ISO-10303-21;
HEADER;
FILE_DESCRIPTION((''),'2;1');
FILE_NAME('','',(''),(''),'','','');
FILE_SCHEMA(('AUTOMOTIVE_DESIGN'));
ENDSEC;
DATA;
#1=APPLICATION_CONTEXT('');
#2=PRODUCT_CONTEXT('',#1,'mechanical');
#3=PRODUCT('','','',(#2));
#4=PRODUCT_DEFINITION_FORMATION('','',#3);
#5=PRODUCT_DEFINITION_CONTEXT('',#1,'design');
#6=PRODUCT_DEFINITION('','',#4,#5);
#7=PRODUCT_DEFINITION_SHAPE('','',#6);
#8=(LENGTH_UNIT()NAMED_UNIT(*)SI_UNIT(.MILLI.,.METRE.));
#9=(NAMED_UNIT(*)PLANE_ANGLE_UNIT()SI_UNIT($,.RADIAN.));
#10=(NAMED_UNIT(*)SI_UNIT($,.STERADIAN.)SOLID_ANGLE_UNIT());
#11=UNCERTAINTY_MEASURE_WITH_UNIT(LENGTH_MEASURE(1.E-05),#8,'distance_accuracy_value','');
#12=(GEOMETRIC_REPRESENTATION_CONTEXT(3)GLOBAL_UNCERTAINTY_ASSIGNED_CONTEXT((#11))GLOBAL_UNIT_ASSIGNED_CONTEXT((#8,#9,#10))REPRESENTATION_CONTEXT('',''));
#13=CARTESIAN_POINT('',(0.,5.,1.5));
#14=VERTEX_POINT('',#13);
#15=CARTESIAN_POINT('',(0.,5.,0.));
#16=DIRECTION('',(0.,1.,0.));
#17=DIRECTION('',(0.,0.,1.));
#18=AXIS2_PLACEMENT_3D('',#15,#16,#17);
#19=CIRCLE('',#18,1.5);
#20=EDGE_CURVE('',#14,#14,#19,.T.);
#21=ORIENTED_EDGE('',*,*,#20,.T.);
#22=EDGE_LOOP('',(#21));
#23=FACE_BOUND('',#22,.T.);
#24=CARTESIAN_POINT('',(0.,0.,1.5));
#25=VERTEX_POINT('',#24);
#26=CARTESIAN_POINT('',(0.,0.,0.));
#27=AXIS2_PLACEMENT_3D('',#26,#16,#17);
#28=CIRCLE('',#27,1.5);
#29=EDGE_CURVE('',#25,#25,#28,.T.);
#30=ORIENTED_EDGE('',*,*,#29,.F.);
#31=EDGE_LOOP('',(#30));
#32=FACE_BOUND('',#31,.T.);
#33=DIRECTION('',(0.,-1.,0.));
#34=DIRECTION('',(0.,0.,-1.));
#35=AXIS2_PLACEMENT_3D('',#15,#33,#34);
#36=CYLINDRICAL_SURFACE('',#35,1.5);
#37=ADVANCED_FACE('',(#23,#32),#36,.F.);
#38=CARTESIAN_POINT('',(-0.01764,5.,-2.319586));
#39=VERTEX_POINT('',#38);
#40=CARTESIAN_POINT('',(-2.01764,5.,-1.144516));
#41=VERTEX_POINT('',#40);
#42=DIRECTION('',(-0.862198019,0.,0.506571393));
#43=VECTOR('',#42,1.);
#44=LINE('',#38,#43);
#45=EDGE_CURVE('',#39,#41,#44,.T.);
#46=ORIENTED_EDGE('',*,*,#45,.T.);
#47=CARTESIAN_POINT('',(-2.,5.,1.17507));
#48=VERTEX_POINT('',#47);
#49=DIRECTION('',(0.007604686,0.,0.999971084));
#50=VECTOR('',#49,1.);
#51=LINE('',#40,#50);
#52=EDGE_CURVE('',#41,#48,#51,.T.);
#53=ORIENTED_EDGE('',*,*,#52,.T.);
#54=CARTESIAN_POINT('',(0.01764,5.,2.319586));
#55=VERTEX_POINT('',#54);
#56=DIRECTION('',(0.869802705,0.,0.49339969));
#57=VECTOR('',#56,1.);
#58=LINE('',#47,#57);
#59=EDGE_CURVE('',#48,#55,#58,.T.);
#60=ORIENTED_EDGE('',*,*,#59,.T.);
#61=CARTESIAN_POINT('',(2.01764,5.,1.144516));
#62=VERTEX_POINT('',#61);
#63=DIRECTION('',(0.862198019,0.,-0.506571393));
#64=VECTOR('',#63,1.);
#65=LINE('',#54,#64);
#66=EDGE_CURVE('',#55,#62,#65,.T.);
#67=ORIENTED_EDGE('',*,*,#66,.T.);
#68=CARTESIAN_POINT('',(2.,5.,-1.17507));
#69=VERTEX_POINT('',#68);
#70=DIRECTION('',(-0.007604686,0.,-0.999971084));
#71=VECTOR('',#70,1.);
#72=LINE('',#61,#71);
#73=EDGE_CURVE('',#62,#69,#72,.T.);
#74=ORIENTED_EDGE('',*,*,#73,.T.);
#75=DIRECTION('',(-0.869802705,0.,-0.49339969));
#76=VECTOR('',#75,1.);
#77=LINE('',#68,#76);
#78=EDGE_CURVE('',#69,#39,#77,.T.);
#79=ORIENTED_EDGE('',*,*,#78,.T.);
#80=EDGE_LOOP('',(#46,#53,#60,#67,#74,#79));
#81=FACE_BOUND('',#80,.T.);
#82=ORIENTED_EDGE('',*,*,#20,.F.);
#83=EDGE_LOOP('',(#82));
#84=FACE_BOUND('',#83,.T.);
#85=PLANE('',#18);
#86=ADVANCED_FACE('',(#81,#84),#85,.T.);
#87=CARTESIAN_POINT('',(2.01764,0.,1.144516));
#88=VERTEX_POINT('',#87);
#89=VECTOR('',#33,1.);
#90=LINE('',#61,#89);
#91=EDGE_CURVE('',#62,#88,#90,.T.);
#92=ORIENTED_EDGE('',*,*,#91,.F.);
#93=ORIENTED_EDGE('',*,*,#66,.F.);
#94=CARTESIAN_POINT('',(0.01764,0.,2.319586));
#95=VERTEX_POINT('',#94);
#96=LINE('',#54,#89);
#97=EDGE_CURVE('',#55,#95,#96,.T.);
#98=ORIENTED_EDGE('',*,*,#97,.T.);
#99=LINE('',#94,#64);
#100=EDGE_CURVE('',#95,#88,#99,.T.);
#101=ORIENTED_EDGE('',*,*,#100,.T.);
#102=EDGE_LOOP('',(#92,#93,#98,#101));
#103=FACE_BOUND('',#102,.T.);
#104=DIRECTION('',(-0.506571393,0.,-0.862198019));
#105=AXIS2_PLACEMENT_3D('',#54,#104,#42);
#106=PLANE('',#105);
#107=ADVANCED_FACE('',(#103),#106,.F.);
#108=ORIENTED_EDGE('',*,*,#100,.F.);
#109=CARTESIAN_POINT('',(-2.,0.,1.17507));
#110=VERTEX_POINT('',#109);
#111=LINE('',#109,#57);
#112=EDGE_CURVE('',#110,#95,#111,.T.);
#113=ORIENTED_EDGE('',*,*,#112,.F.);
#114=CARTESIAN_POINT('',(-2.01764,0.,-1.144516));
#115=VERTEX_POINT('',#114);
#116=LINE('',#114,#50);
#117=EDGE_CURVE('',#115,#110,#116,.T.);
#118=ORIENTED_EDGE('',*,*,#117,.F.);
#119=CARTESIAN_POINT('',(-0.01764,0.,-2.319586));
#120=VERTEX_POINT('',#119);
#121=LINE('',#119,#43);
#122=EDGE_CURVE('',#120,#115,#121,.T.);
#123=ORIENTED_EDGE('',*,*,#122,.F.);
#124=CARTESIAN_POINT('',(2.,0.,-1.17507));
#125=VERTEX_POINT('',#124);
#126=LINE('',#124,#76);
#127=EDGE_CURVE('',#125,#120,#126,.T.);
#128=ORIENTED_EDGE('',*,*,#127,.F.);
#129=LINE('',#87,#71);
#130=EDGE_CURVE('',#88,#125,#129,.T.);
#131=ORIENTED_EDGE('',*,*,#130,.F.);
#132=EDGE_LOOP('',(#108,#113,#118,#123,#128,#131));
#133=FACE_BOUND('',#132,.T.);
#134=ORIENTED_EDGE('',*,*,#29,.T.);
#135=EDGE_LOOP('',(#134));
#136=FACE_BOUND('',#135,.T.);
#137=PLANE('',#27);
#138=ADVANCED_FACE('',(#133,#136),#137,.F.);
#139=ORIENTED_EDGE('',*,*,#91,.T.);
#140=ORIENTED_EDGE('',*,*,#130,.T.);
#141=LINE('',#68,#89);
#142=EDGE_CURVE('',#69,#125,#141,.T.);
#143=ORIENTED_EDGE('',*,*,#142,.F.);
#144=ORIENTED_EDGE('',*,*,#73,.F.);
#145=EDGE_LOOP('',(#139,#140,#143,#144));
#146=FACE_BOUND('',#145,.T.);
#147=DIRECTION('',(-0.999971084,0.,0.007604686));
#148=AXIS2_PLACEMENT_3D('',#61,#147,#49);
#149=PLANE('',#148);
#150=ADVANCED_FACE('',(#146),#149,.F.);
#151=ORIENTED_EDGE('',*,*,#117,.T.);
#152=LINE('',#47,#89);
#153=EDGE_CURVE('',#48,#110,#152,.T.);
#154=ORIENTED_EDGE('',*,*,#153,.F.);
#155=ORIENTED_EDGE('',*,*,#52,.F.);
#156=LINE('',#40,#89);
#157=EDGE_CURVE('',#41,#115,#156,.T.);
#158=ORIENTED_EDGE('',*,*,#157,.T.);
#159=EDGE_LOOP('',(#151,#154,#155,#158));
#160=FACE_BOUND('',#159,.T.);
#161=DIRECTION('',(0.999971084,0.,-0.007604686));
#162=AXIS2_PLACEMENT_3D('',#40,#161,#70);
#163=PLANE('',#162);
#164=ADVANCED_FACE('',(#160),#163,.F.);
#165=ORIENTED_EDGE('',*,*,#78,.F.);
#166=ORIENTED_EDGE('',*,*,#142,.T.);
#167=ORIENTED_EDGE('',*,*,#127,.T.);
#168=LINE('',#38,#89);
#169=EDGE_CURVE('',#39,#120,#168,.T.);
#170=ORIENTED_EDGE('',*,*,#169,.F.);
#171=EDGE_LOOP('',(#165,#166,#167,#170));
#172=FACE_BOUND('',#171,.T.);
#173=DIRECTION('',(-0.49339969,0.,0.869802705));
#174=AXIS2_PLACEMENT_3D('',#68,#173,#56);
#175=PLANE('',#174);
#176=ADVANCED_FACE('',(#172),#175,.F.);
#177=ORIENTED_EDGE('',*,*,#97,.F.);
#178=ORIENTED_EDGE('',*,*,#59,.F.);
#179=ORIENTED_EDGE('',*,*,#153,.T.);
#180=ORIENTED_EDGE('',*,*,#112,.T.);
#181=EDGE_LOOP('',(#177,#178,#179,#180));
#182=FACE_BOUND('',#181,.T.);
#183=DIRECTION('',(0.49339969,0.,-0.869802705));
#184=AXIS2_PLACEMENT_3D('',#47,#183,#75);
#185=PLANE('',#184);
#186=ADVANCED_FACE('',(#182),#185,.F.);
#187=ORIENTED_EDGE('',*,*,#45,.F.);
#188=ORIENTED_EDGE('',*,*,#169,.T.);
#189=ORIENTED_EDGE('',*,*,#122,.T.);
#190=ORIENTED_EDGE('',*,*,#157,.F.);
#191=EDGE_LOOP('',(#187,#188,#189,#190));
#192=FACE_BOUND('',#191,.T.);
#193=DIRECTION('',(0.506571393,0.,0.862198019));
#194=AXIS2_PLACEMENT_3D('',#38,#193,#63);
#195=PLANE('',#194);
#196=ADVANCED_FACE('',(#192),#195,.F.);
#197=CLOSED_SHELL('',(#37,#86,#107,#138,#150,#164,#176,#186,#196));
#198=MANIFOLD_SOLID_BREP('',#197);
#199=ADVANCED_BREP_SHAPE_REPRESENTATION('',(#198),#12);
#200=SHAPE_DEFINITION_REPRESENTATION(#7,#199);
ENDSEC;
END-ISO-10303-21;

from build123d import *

# Parameters (mm, degrees)
SKETCH_1_R      = 1.5
EXTRUDE_1_DEPTH = 5


with BuildPart() as part:
    # 草图1 → 凸台-拉伸1 (new body)
    with BuildSketch(Plane(origin=(0, 0, 0), x_dir=(1, 0, 0), z_dir=(0, 1, 0))):
        Polygon((2, 1.175069723), (-0.017640231, 2.319585669), (-2.017640231, 1.144515946), (-2, -1.175069723), (0.017640231, -2.319585669), (2.017640231, -1.144515946), align=None)
        with Locations(Location((0, 0, 0), (0, 0, 270))):
            Circle(SKETCH_1_R, mode=Mode.SUBTRACT)
    extrude(amount=EXTRUDE_1_DEPTH)


solid = part.part
